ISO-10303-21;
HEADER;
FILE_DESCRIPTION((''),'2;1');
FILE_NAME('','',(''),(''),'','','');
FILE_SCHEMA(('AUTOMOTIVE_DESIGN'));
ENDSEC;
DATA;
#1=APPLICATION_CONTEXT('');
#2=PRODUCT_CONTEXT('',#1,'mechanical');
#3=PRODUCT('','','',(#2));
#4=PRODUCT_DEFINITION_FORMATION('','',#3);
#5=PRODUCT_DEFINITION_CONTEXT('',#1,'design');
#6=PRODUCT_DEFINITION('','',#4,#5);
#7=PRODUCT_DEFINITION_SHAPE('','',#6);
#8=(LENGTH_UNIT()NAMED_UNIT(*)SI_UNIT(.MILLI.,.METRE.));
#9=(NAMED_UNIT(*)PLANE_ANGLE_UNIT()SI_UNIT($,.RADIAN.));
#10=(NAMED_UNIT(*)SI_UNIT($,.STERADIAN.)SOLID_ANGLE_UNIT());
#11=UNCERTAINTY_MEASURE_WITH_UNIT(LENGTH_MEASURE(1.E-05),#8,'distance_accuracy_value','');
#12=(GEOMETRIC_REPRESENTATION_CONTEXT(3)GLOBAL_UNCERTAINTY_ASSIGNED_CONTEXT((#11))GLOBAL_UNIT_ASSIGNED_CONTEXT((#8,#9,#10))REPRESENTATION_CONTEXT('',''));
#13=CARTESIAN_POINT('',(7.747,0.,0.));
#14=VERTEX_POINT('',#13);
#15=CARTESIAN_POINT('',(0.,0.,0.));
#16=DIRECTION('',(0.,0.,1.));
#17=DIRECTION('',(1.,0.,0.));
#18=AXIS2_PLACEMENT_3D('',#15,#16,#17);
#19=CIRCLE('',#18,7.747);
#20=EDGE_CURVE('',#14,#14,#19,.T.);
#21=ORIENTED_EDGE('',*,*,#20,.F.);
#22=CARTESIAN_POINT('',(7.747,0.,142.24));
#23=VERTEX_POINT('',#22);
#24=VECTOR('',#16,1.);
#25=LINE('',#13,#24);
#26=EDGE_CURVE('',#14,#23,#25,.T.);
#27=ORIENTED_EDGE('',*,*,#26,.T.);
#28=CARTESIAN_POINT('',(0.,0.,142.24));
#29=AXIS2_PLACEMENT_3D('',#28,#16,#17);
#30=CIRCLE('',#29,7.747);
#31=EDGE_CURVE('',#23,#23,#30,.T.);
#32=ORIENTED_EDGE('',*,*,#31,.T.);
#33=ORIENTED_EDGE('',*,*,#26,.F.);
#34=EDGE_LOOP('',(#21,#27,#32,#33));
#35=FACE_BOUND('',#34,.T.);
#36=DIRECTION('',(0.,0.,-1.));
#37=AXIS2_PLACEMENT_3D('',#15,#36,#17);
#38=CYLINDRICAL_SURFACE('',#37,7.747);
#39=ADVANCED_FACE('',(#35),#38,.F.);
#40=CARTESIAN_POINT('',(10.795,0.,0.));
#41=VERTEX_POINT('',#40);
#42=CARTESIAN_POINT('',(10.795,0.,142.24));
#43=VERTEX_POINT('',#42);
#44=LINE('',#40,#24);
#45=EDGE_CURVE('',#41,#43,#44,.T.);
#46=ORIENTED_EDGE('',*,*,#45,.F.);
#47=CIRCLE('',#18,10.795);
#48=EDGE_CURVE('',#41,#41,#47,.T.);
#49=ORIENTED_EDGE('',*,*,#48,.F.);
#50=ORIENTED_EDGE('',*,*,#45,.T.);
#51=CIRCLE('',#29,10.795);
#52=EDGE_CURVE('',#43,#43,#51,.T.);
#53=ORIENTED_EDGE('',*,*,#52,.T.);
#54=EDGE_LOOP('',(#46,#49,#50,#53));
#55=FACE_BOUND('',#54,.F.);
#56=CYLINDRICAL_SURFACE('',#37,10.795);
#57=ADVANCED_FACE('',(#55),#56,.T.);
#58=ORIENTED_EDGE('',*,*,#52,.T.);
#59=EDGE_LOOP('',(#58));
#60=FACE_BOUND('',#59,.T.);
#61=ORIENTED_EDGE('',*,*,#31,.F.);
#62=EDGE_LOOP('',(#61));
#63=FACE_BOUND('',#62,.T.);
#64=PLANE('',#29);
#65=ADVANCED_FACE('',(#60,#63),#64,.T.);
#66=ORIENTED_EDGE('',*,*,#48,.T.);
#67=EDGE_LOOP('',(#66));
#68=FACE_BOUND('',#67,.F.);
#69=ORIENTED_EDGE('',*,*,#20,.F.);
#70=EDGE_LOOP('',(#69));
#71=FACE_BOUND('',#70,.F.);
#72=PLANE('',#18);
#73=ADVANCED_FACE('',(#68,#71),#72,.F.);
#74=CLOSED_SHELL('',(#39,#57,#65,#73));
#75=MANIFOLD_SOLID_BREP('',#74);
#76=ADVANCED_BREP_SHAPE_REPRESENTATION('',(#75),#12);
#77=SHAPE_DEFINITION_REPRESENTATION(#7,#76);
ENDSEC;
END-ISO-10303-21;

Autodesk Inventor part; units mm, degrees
ref_plane "YZ Plane" through (0, 0, 0) normal (1, 0, 0) x (0, 1, 0)
ref_plane "XZ Plane" through (0, 0, 0) normal (0, 1, 0) x (-1, 0, 0)
ref_plane "XY Plane" through (0, 0, 0) normal (0, 0, 1) x (1, 0, 0)
sketch "Sketch1" plane through (0, 0, 0) normal (0, 0, 1) x (1, 0, 0)
  circle A0 centre (0, 0) radius 7.747
  circle A1 centre (0, 0) radius 10.795
  dimension "d0" = 21.59
  dimension "d2" = 15.494
extrude "Extrusion1" add sketch "Sketch1" along normal blind 142.24
properties part number "4 Pipe" material "PVC-Piping"
